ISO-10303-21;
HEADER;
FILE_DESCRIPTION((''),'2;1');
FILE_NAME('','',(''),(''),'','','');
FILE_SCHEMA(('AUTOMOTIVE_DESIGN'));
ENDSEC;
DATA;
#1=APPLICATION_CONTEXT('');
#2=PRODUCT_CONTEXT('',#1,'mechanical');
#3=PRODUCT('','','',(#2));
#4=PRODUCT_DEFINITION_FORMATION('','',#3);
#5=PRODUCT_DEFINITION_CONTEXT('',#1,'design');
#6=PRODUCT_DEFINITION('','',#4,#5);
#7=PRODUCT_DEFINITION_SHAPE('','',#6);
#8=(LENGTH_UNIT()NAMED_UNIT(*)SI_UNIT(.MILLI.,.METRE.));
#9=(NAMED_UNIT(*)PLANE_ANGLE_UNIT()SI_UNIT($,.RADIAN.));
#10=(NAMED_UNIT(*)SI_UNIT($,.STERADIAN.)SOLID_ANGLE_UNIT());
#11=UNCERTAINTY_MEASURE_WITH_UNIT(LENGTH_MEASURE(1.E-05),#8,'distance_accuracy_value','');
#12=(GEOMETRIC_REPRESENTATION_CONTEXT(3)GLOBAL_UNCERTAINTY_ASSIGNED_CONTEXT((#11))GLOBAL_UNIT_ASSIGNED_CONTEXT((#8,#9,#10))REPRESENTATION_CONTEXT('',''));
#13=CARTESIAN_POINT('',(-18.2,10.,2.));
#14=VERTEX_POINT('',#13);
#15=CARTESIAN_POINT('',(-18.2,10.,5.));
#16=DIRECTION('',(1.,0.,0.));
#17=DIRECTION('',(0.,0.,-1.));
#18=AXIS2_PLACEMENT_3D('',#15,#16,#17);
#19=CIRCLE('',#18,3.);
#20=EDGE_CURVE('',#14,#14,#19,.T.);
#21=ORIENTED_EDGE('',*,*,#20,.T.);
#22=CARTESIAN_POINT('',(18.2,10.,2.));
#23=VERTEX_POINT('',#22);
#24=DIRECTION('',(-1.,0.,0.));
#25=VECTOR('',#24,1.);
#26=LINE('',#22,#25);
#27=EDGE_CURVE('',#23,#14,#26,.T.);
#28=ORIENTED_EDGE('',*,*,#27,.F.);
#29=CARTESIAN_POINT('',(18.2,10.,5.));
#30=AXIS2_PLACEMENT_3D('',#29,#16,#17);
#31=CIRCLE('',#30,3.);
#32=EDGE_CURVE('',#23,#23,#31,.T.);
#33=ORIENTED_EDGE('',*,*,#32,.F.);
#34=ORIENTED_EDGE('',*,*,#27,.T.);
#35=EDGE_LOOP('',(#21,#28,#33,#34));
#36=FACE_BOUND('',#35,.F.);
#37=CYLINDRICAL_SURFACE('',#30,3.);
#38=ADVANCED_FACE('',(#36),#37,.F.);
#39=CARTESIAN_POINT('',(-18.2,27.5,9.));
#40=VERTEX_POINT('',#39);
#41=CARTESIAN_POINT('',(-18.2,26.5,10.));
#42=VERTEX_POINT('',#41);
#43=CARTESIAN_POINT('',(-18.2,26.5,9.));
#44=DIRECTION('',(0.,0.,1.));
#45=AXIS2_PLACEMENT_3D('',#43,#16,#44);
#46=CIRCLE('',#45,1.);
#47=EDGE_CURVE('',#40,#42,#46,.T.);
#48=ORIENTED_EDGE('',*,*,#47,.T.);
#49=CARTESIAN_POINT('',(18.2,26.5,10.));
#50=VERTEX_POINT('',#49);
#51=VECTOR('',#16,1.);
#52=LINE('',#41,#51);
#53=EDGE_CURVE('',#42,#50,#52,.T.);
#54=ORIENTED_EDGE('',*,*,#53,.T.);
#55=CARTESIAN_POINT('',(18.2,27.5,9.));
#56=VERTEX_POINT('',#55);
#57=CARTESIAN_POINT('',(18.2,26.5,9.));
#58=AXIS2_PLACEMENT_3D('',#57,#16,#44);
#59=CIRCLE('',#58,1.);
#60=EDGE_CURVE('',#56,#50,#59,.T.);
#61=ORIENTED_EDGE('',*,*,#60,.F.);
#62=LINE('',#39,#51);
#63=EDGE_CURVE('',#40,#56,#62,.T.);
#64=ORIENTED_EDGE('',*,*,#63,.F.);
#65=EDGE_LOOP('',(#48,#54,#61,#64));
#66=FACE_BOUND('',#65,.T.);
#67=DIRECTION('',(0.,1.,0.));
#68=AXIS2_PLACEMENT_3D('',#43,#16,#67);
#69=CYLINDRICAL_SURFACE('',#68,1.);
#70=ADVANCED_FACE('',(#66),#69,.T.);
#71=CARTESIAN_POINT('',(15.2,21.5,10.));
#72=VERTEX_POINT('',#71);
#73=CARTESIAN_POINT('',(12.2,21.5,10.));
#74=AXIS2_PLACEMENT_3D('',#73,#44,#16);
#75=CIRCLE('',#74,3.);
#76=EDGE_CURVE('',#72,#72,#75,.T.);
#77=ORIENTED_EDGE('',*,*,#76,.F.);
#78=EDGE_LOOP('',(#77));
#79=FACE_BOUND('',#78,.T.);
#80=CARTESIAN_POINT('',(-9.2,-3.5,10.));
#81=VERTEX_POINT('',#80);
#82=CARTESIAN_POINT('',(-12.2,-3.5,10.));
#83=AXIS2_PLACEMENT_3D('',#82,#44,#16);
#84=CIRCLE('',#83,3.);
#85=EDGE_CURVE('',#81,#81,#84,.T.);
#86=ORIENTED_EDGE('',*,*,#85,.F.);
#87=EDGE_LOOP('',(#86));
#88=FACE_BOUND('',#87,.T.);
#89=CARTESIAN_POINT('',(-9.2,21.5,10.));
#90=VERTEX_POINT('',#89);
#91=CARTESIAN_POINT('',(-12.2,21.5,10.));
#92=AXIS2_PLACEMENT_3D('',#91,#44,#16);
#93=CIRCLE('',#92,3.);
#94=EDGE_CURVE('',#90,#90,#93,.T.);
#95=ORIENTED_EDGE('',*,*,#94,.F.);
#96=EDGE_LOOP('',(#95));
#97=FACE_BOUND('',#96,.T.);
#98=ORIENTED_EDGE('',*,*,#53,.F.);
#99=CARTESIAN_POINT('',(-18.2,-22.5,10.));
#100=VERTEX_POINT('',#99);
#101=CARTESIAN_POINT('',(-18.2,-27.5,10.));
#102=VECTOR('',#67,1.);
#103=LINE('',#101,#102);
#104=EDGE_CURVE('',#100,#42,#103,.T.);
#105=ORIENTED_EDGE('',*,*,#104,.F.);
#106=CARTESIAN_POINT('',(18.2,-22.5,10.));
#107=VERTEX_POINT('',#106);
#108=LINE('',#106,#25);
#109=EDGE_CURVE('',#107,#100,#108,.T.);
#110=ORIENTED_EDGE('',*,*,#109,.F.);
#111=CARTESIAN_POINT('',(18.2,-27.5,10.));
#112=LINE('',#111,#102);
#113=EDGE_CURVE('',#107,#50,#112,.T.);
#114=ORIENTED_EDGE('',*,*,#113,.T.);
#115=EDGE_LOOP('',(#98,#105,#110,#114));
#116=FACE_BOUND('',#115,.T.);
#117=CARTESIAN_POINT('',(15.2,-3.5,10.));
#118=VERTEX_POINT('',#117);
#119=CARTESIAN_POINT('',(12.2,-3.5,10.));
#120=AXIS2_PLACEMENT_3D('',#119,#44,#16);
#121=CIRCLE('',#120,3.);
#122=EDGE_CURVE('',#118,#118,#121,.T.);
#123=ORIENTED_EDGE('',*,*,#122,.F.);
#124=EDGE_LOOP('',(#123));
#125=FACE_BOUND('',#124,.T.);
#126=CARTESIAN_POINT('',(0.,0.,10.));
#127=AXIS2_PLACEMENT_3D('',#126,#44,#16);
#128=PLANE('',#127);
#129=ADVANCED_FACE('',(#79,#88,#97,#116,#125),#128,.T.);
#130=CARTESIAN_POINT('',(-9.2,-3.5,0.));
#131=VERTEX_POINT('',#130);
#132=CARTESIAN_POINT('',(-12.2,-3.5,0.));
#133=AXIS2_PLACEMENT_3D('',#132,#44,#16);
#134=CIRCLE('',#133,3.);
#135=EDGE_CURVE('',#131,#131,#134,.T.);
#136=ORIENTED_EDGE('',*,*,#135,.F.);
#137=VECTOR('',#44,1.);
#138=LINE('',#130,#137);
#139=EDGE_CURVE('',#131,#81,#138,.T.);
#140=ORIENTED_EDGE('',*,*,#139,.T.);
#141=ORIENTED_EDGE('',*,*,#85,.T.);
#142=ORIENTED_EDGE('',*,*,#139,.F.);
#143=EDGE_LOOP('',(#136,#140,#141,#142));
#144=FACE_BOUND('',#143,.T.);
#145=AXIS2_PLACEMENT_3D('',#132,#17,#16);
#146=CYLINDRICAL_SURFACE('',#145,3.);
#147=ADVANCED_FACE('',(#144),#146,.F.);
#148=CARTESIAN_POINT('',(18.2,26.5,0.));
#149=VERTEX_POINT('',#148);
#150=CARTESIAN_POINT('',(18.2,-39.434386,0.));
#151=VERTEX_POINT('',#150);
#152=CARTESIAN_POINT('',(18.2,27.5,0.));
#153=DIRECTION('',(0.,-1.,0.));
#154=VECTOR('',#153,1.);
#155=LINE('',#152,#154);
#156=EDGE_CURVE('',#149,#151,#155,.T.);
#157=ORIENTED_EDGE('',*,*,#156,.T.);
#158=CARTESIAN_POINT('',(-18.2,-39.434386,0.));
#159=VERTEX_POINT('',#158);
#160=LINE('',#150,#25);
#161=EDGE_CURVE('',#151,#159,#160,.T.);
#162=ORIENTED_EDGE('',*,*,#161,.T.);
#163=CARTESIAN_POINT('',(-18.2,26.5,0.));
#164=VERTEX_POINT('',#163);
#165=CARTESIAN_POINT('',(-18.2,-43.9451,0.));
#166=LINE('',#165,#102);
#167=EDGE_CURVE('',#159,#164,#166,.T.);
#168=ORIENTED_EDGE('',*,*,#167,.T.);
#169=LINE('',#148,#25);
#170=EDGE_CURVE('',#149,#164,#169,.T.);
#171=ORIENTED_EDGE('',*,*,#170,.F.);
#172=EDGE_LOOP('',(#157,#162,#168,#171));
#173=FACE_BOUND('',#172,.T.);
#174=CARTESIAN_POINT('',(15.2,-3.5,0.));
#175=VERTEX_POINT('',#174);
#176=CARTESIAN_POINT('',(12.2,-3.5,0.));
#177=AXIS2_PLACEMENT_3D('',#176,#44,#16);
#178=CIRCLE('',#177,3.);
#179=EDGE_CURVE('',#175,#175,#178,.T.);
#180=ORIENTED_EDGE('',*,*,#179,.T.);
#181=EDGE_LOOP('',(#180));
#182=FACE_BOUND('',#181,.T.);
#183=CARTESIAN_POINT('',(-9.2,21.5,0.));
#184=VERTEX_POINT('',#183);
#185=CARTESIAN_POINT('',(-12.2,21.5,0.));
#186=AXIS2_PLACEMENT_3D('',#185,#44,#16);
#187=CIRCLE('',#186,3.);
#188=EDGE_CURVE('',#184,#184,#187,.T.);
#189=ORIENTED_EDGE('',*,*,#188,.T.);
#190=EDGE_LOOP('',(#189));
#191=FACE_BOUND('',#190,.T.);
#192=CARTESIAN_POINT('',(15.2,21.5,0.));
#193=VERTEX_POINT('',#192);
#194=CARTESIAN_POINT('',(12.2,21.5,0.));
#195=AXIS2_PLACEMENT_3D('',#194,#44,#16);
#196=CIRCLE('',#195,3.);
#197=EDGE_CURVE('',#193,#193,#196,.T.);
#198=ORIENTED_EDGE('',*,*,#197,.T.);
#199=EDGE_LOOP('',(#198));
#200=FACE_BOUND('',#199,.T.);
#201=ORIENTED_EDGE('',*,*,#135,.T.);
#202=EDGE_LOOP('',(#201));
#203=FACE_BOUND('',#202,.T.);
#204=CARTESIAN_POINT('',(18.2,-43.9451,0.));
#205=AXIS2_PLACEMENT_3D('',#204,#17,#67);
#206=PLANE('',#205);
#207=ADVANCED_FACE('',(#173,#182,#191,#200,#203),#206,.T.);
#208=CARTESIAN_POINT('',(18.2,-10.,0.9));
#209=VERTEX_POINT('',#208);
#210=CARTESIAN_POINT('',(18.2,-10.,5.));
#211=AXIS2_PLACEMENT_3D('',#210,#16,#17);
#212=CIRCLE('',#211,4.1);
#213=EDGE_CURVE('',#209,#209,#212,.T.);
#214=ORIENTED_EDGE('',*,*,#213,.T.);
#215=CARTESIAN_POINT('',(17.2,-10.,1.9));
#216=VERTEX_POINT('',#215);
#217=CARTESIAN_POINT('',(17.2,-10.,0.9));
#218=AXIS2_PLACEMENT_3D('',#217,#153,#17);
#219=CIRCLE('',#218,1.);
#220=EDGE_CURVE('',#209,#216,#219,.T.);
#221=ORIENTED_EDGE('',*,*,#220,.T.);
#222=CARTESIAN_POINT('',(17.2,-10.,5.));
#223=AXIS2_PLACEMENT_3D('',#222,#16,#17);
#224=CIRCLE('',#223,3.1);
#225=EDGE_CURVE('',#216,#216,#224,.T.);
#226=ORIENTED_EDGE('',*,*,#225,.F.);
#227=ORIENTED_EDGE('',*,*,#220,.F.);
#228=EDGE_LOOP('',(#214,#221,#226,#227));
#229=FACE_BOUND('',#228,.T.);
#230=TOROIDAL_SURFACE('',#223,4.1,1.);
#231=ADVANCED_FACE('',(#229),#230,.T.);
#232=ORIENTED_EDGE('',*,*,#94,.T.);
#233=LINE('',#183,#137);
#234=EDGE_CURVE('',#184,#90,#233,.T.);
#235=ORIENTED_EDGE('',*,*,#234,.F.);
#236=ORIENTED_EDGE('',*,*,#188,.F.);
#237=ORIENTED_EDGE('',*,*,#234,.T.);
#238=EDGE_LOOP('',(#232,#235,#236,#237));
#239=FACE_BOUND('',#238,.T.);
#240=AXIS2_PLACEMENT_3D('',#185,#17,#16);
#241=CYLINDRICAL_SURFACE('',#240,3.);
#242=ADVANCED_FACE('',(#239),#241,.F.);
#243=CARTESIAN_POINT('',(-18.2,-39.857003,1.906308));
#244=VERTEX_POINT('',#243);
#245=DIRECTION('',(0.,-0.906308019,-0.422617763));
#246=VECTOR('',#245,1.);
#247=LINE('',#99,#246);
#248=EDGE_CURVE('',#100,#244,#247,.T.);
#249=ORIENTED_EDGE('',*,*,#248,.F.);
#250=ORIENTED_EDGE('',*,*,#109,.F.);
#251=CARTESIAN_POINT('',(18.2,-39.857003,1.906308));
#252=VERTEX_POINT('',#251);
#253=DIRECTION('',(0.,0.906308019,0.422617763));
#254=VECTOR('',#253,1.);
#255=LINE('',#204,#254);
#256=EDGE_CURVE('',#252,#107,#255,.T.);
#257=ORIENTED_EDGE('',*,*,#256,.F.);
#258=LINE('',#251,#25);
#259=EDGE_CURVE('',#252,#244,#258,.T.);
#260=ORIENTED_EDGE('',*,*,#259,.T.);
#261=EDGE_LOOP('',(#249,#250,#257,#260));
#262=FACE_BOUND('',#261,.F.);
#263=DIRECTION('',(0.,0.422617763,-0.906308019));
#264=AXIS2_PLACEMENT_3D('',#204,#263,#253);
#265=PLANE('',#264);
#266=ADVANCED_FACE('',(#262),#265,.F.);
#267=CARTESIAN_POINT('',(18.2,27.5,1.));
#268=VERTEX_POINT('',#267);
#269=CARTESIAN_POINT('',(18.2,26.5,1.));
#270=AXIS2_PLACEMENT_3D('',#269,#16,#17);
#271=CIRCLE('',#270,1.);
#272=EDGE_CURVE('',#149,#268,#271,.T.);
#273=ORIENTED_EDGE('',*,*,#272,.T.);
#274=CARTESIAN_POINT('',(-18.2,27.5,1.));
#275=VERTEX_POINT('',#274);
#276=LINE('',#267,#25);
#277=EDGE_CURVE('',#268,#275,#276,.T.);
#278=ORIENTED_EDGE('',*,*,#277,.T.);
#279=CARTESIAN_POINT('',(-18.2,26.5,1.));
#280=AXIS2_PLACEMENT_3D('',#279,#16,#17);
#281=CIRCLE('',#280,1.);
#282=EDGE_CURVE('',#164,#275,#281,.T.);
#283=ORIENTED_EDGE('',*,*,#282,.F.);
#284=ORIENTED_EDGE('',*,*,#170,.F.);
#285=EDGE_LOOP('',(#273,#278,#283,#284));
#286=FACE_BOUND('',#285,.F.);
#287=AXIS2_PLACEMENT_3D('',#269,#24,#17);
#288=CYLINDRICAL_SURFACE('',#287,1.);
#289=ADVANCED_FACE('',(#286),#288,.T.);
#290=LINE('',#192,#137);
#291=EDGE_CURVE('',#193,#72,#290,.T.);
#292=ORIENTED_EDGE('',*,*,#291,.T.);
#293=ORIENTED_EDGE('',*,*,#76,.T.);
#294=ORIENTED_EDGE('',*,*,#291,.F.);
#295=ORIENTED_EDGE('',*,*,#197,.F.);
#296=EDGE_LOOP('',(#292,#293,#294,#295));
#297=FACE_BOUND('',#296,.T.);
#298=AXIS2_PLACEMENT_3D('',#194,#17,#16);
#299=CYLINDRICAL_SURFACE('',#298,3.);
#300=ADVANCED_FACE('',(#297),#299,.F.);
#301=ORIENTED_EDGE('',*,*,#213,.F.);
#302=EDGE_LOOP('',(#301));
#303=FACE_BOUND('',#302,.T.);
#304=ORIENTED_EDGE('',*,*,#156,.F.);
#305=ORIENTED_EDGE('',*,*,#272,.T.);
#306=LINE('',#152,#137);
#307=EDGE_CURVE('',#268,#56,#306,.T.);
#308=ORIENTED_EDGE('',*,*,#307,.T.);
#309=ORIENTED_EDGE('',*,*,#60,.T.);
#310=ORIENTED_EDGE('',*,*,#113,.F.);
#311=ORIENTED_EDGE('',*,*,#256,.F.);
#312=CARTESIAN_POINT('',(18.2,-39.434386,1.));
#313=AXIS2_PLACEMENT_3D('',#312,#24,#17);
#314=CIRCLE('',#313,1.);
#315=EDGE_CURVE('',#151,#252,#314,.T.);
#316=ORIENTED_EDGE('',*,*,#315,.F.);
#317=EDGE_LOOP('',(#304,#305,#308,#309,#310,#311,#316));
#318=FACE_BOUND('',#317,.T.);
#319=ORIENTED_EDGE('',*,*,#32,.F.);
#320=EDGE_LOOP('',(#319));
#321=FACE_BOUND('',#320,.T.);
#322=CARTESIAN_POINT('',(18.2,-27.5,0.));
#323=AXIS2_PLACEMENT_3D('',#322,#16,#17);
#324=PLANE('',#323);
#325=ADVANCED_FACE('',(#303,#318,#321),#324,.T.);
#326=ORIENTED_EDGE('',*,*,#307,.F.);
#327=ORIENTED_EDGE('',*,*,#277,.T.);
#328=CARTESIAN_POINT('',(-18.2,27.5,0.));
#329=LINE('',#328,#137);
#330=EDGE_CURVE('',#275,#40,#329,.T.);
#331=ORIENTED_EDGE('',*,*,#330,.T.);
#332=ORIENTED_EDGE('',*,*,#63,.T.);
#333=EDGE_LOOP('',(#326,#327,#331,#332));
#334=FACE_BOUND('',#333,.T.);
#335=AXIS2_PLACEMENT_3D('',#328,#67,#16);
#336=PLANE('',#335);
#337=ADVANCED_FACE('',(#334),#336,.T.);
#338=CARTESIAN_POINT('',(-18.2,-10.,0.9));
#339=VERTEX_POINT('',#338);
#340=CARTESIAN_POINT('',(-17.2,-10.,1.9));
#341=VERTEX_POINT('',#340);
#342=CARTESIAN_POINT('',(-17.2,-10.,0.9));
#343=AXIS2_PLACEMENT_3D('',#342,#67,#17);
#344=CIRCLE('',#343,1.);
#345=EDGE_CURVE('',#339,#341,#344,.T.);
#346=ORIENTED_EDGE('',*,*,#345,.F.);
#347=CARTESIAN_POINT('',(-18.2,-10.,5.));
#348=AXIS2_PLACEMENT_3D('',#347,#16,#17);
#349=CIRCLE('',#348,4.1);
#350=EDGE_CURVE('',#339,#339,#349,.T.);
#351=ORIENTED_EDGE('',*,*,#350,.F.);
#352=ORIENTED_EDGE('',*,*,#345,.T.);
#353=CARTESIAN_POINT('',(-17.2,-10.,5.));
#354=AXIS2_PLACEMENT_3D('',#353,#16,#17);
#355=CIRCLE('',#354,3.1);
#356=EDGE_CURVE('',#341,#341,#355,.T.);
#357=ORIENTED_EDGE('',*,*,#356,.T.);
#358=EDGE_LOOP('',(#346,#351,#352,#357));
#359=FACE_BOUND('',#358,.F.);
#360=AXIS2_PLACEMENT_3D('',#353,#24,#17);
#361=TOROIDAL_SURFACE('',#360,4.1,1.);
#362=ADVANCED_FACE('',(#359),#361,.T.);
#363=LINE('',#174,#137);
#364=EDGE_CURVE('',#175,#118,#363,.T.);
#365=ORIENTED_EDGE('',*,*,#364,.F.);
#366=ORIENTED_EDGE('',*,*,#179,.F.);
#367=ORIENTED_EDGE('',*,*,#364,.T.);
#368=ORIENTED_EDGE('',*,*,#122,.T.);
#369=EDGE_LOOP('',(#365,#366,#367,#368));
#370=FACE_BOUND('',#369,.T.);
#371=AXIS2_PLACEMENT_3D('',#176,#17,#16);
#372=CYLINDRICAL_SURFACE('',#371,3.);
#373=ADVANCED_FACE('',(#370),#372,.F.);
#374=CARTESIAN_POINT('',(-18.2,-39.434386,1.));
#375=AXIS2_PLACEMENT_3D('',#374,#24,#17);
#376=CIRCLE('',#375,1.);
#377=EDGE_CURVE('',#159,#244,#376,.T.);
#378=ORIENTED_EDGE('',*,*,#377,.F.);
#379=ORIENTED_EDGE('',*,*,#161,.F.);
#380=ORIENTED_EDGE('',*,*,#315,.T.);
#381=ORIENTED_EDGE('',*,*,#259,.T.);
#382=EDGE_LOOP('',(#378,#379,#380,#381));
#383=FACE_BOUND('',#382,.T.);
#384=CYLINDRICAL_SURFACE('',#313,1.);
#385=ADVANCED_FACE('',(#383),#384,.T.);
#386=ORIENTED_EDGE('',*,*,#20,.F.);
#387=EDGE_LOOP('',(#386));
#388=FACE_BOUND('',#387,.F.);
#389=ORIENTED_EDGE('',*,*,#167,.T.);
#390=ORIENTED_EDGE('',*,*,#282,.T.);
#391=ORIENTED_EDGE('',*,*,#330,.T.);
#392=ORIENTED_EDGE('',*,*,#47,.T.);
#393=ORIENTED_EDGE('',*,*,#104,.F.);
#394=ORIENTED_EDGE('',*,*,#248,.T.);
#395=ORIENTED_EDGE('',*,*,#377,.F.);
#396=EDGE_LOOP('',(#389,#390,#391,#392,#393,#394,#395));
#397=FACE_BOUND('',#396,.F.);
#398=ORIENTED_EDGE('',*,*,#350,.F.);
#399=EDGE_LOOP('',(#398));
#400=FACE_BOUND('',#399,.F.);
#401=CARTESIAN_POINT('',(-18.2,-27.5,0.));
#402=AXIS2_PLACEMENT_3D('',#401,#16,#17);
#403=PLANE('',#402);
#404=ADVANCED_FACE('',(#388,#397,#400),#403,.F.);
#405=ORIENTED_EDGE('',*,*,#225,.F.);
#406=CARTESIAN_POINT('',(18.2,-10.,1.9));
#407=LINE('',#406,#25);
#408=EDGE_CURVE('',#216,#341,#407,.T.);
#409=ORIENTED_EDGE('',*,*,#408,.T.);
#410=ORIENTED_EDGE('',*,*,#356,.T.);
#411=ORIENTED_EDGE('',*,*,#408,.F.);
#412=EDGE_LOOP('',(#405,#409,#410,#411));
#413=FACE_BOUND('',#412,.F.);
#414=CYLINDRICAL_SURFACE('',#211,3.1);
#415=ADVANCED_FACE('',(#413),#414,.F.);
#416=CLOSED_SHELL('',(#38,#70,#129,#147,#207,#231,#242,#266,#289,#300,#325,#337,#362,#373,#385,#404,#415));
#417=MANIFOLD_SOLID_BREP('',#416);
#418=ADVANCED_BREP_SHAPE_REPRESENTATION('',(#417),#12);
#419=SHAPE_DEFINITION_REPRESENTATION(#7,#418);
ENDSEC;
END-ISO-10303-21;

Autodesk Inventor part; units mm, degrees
ref_plane "YZ Plane" through (0, 0, 0) normal (1, 0, 0) x (0, 1, 0)
ref_plane "XZ Plane" through (0, 0, 0) normal (0, 1, 0) x (-1, 0, 0)
ref_plane "XY Plane" through (0, 0, 0) normal (0, 0, 1) x (1, 0, 0)
sketch "Sketch1" plane through (0, 0, 0) normal (0, 0, 1) x (1, 0, 0)
  line L0 (-18.2, 27.5) -> (18.2, 27.5)
  line L1 (18.2, 27.5) -> (18.2, -27.5)
  line L2 (18.2, -27.5) -> (-18.2, -27.5)
  line L3 (-18.2, -27.5) -> (-18.2, 27.5)
  line L4 (0, -38.5) -> (0, 38.5) projected
  line L5 (-25.48, 0) -> (25.48, 0) projected
  circle A0 centre (-12.2, 21.5) radius 3
  circle A1 centre (-12.2, 21.5) radius 6 construction
  circle A2 centre (-12.2, -3.5) radius 3
  line L6 (-12.2, 27.5) -> (-12.2, -3.5) construction
  circle A3 centre (12.2, 21.5) radius 3
  circle A4 centre (12.2, -3.5) radius 3
  point P0 (0, 0)
  point P1 (0, 27.5)
  point P2 (-18.2, 0)
  dimension "d0" = 36.4
  dimension "d1" = 55
  dimension "d2" = 6
  dimension "d3" = 3
  dimension "d34" = 25
extrude "Extrusion1" add sketch "Sketch1" along normal blind 10
sketch "Sketch4" plane through (18.2, -27.5, 0) normal (1, 0, 0) x (0, 0, -1)
  circle A0 centre (-5, 17.5) radius 3 construction
  line L0 (-10, 55) -> (-10, 0) projected
  line L1 (-10, 27.5) -> (0, 27.5) construction
  line L2 (0, 55) -> (0, 0) projected
  circle A1 centre (-5, 37.5) radius 3
  line L3 (0, 0) -> (-10, 0) projected
  line L4 (-5, 0) -> (-5, 55) construction
  line L5 (0, 55) -> (-10, 55) projected
  circle A2 centre (-5, 17.5) radius 3.1
  dimension "d20" = 6
  dimension "d21" = 20
  dimension "d24" = 6.2
extrude "Extrusion4" cut sketch "Sketch4" against normal up to surface (36.4 mm away) contours A1 | A2
thread "Thread1" size "M6x1" class "6H" standard "ANSI Metric M Profile" full length
sketch "Sketch5" plane through (18.2, -27.5, 0) normal (1, 0, 0) x (0, 0, -1)
  line L0 (-10, 55) -> (-10, 0) projected
  line L1 (0, -16.4451) -> (0, 0)
  line L2 (0, 0) -> (0, 55) projected
  line L3 (0, 0) -> (-10, 0) projected
  line L4 (0, -16.4451) -> (-10, 5)
  point P0 (0, 27.5)
  point P1 (-7.6685, 0)
  dimension "d30" = 5
  dimension "d31" = 25
extrude "Extrusion5" add sketch "Sketch5" against normal up to surface (36.4 mm away) contours L3 L1 L4
extrude "Extrusion6" cut sketch "Sketch5" against normal up to surface (36.4 mm away) contours L4 L3 L0
fillet "Fillet1" radius 1 5 edges at (0, 27.5, 0) (0, 27.5, 10) (0, -43.9451, 0) (18.2, -10, 8.1) (-18.2, -10, 8.1)
thread "Thread2" size "M6x1" class "6H" standard "ANSI Metric M Profile" full length
thread "Thread3" size "M6x1" class "6H" standard "ANSI Metric M Profile" full length
thread "Thread4" size "M6x1" class "6H" standard "ANSI Metric M Profile" full length
thread "Thread5" size "M6x1" class "6H" standard "ANSI Metric M Profile" full length
properties part number "Pedal Support 1"
